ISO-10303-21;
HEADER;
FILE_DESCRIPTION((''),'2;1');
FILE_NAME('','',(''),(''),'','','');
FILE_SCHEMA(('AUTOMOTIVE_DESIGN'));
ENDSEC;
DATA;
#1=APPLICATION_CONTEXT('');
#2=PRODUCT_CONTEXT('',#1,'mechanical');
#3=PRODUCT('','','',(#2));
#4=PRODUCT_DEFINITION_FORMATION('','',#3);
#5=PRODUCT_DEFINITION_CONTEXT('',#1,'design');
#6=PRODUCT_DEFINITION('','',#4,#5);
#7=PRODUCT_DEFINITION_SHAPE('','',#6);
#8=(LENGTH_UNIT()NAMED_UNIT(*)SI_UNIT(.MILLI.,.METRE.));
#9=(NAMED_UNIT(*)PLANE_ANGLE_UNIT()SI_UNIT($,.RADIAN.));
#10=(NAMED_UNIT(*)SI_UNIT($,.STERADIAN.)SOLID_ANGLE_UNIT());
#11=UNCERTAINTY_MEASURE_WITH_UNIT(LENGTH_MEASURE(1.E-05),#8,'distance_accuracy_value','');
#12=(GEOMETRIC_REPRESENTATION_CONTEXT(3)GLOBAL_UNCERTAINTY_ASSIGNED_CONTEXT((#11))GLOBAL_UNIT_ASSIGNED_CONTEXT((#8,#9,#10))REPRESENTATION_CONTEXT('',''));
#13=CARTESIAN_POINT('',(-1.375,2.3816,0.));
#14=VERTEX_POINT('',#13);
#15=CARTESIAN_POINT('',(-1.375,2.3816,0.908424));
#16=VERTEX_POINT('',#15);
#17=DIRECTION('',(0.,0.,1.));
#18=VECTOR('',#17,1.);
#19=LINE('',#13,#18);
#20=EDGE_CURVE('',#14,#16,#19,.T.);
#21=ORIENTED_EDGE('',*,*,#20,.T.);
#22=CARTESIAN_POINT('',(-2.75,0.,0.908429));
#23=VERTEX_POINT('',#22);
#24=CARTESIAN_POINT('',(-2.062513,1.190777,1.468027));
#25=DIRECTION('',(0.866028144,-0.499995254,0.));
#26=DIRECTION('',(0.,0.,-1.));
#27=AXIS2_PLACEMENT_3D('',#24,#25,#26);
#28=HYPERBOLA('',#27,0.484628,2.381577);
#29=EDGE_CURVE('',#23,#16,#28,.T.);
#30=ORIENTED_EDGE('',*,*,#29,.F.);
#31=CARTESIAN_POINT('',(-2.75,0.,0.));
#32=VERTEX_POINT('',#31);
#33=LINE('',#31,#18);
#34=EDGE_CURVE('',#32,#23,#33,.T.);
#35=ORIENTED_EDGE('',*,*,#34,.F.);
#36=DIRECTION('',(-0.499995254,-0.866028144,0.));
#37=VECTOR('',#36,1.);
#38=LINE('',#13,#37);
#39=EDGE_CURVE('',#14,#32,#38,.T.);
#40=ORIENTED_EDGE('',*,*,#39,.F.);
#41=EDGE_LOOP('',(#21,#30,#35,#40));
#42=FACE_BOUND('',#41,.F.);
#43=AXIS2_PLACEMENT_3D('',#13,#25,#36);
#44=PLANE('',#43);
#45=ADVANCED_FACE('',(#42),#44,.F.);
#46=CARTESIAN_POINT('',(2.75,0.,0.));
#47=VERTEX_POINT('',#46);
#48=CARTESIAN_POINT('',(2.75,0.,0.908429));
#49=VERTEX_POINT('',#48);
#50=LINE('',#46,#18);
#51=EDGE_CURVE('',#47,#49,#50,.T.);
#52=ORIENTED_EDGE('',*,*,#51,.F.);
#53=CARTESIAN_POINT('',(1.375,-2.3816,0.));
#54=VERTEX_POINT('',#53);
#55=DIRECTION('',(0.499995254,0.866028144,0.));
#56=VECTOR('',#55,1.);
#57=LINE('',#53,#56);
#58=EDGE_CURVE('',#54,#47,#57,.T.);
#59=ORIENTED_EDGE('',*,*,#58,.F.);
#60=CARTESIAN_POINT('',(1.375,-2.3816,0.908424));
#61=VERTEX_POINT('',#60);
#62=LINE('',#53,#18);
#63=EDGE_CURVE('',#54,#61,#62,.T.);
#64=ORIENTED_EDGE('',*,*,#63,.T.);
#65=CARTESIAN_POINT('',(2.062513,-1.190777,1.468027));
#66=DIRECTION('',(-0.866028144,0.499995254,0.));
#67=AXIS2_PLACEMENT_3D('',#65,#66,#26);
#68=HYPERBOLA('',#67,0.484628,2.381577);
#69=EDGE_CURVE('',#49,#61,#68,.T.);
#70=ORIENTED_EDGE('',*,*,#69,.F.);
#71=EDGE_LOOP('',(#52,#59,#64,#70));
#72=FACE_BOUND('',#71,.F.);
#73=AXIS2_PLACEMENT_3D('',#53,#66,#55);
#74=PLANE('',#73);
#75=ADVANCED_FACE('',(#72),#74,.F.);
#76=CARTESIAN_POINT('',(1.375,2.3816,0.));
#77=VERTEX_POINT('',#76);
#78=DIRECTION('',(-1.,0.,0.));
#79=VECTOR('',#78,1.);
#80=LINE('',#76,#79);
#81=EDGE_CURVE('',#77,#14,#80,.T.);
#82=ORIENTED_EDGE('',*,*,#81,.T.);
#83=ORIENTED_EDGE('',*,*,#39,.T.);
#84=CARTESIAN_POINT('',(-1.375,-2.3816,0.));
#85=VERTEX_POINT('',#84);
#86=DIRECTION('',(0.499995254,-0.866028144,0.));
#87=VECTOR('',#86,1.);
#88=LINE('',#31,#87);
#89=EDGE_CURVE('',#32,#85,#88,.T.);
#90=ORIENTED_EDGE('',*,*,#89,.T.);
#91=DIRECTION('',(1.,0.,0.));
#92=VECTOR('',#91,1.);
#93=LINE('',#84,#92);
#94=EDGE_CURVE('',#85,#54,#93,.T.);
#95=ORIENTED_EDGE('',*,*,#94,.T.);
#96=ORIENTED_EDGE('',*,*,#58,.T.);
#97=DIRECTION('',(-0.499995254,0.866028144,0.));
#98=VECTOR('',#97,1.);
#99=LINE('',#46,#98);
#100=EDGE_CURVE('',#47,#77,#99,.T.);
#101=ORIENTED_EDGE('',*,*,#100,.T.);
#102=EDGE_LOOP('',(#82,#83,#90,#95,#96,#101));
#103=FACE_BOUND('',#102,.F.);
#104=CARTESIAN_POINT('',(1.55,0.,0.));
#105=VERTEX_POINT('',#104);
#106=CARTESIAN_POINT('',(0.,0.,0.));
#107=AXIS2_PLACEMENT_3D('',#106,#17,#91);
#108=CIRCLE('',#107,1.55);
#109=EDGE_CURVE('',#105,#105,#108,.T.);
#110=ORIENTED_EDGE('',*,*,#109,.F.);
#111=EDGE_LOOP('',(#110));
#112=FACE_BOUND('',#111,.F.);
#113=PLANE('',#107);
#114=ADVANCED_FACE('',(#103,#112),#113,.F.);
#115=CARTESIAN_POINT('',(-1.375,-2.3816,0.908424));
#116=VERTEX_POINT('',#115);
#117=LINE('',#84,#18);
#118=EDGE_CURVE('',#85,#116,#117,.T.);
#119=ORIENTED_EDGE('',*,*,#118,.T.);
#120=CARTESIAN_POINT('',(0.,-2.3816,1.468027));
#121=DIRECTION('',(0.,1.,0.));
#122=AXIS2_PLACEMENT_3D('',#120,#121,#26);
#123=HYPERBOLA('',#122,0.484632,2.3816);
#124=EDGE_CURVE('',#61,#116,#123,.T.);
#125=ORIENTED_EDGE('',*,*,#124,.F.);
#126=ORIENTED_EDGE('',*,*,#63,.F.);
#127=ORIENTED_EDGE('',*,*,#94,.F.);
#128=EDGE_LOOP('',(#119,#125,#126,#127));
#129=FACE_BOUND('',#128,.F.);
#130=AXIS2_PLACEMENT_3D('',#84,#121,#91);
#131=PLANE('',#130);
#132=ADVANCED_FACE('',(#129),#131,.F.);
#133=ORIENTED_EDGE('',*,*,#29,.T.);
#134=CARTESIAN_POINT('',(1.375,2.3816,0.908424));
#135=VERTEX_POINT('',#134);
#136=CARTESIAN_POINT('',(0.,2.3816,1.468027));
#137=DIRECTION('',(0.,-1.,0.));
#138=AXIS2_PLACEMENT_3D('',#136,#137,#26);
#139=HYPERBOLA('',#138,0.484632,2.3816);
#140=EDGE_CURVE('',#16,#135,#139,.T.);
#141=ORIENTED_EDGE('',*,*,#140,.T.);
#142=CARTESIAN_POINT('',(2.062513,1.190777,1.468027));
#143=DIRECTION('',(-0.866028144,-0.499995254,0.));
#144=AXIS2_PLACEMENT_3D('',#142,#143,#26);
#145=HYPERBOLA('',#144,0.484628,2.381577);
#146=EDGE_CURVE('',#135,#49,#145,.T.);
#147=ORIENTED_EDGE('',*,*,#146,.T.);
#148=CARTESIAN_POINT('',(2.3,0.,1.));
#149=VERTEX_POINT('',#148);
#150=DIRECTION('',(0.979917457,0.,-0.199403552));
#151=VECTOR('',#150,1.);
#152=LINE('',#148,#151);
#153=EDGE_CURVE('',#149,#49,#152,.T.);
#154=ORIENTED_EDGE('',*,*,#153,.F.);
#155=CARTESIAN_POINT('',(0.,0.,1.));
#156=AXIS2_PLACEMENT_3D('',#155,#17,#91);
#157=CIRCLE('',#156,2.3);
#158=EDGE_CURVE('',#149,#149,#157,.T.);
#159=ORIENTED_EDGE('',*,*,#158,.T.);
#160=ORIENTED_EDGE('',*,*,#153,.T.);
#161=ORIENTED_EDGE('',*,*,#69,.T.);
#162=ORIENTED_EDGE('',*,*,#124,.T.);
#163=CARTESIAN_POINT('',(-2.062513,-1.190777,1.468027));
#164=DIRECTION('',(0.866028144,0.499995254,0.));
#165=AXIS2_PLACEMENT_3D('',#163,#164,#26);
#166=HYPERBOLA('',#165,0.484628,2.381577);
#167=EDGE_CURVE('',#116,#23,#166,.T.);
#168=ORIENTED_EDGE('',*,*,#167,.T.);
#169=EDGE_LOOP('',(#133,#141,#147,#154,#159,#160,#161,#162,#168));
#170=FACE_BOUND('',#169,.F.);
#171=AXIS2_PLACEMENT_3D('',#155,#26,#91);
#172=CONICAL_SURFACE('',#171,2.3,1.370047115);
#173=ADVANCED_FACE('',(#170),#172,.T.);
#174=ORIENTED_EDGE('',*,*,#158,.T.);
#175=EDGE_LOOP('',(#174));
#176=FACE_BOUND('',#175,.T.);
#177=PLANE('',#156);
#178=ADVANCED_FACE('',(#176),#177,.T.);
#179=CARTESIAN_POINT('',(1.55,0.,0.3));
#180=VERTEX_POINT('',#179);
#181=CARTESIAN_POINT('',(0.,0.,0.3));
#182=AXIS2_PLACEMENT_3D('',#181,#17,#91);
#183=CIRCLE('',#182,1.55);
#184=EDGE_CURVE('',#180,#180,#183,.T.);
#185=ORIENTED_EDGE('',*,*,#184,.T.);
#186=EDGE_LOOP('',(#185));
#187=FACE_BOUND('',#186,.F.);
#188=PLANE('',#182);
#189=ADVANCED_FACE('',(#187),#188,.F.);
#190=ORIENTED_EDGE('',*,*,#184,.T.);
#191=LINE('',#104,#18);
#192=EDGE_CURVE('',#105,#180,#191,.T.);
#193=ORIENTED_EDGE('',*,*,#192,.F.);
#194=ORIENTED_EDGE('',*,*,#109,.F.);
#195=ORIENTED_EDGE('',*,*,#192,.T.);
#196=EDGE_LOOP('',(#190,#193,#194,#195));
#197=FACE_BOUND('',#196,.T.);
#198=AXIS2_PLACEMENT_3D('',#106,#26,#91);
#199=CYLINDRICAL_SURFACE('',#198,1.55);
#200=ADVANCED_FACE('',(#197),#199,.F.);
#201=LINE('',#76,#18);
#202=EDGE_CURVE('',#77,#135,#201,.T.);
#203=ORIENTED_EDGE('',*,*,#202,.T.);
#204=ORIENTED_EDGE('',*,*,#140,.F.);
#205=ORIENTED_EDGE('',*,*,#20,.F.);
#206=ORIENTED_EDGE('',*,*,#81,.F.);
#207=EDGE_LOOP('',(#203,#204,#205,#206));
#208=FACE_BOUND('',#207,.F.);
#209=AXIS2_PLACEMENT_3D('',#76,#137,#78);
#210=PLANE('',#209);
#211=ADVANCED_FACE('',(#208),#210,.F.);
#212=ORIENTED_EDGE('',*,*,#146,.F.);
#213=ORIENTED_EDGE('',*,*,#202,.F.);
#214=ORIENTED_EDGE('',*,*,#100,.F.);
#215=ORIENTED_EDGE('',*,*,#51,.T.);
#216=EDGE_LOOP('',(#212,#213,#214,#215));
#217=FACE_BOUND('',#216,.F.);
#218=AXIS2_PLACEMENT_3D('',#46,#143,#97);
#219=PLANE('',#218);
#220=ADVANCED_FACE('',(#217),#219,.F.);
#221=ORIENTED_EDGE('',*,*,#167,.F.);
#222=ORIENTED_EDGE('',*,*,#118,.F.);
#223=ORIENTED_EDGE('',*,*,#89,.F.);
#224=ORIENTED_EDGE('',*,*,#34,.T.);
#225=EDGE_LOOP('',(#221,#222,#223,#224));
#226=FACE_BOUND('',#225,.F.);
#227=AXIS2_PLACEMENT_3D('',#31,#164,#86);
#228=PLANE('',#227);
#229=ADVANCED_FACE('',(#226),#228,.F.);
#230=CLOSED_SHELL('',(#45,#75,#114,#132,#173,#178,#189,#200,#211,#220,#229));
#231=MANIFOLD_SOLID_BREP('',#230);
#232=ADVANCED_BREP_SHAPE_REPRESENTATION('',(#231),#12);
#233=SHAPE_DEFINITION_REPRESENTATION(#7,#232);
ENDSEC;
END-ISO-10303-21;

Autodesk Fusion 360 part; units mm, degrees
sketch "Sketch1" plane through (0, 0, 0) normal (0, 0, 1) x (1, 0, 0) in component "Component"
  circle A0 centre (0, 0) radius 1.55
  circle A1 centre (0, 0) radius 2.75
  line L0 (-2.75, 0) -> (-1.375, -2.3816)
  line L1 (-1.375, -2.3816) -> (1.375, -2.3816)
  line L2 (1.375, -2.3816) -> (2.75, 0)
  line L3 (2.75, 0) -> (1.375, 2.3816)
  line L4 (1.375, 2.3816) -> (-1.375, 2.3816)
  line L5 (-1.375, 2.3816) -> (-2.75, 0)
  dimension "d1" = 3.1
  dimension "d2" = 5.5
  dimension "d12" = 4.7631
extrude "Extrude1" add sketch "Sketch1" along normal blind 1 contours A0 | L0 L1 L2 L3 L4 L5 in component "Component"
extrude "Extrude2" cut sketch "Sketch1" along normal blind 0.5 contours A0 in component "Component"
extrude "Extrude3" add 1 faces at (0.8338, -0.7144, 0.5) along direction (0, 0, -1) blind 0.2 in component "Component"
sketch "Sketch2" plane through (0, 0, 0) normal (0, 1, 0) x (1, 0, 0) in component "Component"
  line L0 (2.3, -1) -> (3.2799, -0.8006)
  line L1 (2.3, -1) -> (3.2799, -1) construction
  line L2 (3.2799, -0.8006) -> (3.2799, -1)
  line L3 (2.3, -1) -> (3.3, -1)
  dimension "d9" = 11.5
  dimension "d10" = 1
revolve "Revolve1" cut sketch "Sketch2" angle 360 about axis through (0, 0, 1.75) along (0, 0, 1) in component "Component"
component "Component" placed x (1, 0, 0) y (0, 1, 0) z (0, 0, 1) at (0, 0, 0)
